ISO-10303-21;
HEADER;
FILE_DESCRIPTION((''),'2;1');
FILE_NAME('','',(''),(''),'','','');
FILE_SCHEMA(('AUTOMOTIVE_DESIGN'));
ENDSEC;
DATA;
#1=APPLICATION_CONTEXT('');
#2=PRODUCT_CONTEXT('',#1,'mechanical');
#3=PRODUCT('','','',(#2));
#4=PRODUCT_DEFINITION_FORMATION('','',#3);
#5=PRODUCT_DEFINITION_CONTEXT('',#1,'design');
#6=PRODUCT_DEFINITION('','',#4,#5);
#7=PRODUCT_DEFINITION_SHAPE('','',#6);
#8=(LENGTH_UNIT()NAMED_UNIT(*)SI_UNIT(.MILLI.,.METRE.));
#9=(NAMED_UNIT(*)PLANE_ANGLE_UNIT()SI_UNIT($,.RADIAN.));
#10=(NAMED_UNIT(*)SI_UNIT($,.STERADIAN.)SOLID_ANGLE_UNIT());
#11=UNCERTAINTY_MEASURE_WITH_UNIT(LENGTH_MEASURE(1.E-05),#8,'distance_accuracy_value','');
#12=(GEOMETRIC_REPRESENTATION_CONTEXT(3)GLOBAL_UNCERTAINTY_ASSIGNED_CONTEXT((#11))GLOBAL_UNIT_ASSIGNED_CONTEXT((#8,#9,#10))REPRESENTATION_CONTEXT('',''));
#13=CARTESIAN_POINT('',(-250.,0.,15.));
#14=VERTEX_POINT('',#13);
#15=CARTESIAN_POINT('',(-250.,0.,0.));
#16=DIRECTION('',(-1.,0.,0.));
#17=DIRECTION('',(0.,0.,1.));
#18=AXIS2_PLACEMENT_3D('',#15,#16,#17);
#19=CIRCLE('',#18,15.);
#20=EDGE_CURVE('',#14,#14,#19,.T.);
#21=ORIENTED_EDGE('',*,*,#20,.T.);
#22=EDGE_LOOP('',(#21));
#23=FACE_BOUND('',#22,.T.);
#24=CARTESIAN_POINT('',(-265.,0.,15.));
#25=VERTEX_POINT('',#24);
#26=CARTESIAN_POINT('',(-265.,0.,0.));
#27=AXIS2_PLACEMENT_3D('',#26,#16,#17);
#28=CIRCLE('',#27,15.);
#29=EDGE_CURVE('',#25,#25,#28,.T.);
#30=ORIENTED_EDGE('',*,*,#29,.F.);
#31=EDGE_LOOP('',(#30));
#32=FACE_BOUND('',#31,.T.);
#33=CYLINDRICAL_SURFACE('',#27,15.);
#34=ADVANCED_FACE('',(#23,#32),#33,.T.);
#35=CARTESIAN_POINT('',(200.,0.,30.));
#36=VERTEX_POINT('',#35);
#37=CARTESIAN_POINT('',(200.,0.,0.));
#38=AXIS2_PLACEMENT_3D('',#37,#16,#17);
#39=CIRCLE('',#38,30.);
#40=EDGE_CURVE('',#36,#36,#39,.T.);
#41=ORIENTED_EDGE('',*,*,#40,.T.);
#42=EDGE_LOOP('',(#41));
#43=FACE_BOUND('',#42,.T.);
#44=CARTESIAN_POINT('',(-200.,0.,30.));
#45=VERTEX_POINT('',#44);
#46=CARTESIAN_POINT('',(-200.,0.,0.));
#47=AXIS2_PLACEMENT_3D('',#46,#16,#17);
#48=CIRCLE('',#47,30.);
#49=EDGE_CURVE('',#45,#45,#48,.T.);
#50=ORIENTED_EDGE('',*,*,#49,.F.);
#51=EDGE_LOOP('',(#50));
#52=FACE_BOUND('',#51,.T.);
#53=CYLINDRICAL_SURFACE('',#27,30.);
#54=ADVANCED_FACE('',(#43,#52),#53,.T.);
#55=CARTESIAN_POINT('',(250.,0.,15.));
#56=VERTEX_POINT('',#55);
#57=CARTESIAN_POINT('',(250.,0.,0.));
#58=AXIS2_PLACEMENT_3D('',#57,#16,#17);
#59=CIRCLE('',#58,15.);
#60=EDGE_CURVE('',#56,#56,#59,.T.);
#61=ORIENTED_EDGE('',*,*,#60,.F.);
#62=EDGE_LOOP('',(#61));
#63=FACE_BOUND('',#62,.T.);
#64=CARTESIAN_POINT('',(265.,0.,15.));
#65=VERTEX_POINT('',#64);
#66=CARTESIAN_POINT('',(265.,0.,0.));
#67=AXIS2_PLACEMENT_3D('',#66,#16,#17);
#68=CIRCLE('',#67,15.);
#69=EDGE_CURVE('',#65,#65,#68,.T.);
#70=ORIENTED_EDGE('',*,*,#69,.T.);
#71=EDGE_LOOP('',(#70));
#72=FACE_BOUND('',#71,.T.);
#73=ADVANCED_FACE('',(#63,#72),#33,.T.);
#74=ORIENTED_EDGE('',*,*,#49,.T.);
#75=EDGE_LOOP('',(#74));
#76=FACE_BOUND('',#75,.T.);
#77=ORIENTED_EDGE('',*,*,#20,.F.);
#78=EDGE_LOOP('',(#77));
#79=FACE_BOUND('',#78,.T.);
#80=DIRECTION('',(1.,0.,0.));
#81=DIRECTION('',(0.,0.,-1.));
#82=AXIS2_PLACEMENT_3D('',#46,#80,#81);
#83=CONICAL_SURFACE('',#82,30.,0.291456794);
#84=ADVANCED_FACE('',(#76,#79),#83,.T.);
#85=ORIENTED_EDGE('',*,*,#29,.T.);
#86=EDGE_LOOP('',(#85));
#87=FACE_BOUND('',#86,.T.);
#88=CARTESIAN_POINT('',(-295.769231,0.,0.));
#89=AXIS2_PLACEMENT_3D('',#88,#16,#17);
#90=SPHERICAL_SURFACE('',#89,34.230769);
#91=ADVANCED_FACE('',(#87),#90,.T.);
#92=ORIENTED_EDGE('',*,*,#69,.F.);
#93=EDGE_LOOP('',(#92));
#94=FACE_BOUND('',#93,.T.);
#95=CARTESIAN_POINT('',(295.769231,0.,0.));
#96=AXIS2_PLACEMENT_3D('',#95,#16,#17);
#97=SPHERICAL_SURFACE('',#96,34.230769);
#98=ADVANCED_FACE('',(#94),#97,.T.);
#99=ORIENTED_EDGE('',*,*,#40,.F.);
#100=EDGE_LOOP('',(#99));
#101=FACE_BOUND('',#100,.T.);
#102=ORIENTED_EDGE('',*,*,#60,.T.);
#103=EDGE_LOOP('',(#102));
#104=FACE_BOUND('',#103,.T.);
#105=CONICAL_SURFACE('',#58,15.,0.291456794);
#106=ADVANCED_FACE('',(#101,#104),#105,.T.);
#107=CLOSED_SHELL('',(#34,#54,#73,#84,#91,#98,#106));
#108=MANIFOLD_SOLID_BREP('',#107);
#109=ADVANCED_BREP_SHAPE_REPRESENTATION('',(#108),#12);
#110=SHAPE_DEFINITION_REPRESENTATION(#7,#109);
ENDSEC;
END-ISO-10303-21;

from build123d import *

# Parameters (mm, degrees)
DOME1_FACE_RADIUS = 15
DOME1_HEIGHT      = 65
DOME2_FACE_RADIUS = 15
DOME2_HEIGHT      = 65


with BuildPart() as part:
    # Sketch2 → Revolve1 (revolve)
    with BuildSketch(Plane.XY):
        Polygon((-265, 0), (265, 0), (265, 15), (250, 15), (200, 30), (-200, 30), (-250, 15), (-265, 15), align=None)
    revolve(axis=Axis((-265, 0, 0), (1, 0, 0)))

    # Dome1: a dome of height H over a round flat face of radius A is a cap of a sphere of radius (A * A + H * H) / (2 * H)
    dome1_r = (DOME1_FACE_RADIUS * DOME1_FACE_RADIUS + DOME1_HEIGHT * DOME1_HEIGHT) / (2 * DOME1_HEIGHT)
    dome1_base = Plane((265, 0, 0), z_dir=(1, 0, 0))
    with Locations(dome1_base.offset(DOME1_HEIGHT - dome1_r)):
        dome1_ball = Sphere(dome1_r, mode=Mode.PRIVATE)
    add(split(dome1_ball, bisect_by=dome1_base, keep=Keep.TOP, mode=Mode.PRIVATE))

    # Dome2: a dome of height H over a round flat face of radius A is a cap of a sphere of radius (A * A + H * H) / (2 * H)
    dome2_r = (DOME2_FACE_RADIUS * DOME2_FACE_RADIUS + DOME2_HEIGHT * DOME2_HEIGHT) / (2 * DOME2_HEIGHT)
    dome2_base = Plane((-265, 0, 0), z_dir=(-1, 0, 0))
    with Locations(dome2_base.offset(DOME2_HEIGHT - dome2_r)):
        dome2_ball = Sphere(dome2_r, mode=Mode.PRIVATE)
    add(split(dome2_ball, bisect_by=dome2_base, keep=Keep.TOP, mode=Mode.PRIVATE))


solid = part.part
